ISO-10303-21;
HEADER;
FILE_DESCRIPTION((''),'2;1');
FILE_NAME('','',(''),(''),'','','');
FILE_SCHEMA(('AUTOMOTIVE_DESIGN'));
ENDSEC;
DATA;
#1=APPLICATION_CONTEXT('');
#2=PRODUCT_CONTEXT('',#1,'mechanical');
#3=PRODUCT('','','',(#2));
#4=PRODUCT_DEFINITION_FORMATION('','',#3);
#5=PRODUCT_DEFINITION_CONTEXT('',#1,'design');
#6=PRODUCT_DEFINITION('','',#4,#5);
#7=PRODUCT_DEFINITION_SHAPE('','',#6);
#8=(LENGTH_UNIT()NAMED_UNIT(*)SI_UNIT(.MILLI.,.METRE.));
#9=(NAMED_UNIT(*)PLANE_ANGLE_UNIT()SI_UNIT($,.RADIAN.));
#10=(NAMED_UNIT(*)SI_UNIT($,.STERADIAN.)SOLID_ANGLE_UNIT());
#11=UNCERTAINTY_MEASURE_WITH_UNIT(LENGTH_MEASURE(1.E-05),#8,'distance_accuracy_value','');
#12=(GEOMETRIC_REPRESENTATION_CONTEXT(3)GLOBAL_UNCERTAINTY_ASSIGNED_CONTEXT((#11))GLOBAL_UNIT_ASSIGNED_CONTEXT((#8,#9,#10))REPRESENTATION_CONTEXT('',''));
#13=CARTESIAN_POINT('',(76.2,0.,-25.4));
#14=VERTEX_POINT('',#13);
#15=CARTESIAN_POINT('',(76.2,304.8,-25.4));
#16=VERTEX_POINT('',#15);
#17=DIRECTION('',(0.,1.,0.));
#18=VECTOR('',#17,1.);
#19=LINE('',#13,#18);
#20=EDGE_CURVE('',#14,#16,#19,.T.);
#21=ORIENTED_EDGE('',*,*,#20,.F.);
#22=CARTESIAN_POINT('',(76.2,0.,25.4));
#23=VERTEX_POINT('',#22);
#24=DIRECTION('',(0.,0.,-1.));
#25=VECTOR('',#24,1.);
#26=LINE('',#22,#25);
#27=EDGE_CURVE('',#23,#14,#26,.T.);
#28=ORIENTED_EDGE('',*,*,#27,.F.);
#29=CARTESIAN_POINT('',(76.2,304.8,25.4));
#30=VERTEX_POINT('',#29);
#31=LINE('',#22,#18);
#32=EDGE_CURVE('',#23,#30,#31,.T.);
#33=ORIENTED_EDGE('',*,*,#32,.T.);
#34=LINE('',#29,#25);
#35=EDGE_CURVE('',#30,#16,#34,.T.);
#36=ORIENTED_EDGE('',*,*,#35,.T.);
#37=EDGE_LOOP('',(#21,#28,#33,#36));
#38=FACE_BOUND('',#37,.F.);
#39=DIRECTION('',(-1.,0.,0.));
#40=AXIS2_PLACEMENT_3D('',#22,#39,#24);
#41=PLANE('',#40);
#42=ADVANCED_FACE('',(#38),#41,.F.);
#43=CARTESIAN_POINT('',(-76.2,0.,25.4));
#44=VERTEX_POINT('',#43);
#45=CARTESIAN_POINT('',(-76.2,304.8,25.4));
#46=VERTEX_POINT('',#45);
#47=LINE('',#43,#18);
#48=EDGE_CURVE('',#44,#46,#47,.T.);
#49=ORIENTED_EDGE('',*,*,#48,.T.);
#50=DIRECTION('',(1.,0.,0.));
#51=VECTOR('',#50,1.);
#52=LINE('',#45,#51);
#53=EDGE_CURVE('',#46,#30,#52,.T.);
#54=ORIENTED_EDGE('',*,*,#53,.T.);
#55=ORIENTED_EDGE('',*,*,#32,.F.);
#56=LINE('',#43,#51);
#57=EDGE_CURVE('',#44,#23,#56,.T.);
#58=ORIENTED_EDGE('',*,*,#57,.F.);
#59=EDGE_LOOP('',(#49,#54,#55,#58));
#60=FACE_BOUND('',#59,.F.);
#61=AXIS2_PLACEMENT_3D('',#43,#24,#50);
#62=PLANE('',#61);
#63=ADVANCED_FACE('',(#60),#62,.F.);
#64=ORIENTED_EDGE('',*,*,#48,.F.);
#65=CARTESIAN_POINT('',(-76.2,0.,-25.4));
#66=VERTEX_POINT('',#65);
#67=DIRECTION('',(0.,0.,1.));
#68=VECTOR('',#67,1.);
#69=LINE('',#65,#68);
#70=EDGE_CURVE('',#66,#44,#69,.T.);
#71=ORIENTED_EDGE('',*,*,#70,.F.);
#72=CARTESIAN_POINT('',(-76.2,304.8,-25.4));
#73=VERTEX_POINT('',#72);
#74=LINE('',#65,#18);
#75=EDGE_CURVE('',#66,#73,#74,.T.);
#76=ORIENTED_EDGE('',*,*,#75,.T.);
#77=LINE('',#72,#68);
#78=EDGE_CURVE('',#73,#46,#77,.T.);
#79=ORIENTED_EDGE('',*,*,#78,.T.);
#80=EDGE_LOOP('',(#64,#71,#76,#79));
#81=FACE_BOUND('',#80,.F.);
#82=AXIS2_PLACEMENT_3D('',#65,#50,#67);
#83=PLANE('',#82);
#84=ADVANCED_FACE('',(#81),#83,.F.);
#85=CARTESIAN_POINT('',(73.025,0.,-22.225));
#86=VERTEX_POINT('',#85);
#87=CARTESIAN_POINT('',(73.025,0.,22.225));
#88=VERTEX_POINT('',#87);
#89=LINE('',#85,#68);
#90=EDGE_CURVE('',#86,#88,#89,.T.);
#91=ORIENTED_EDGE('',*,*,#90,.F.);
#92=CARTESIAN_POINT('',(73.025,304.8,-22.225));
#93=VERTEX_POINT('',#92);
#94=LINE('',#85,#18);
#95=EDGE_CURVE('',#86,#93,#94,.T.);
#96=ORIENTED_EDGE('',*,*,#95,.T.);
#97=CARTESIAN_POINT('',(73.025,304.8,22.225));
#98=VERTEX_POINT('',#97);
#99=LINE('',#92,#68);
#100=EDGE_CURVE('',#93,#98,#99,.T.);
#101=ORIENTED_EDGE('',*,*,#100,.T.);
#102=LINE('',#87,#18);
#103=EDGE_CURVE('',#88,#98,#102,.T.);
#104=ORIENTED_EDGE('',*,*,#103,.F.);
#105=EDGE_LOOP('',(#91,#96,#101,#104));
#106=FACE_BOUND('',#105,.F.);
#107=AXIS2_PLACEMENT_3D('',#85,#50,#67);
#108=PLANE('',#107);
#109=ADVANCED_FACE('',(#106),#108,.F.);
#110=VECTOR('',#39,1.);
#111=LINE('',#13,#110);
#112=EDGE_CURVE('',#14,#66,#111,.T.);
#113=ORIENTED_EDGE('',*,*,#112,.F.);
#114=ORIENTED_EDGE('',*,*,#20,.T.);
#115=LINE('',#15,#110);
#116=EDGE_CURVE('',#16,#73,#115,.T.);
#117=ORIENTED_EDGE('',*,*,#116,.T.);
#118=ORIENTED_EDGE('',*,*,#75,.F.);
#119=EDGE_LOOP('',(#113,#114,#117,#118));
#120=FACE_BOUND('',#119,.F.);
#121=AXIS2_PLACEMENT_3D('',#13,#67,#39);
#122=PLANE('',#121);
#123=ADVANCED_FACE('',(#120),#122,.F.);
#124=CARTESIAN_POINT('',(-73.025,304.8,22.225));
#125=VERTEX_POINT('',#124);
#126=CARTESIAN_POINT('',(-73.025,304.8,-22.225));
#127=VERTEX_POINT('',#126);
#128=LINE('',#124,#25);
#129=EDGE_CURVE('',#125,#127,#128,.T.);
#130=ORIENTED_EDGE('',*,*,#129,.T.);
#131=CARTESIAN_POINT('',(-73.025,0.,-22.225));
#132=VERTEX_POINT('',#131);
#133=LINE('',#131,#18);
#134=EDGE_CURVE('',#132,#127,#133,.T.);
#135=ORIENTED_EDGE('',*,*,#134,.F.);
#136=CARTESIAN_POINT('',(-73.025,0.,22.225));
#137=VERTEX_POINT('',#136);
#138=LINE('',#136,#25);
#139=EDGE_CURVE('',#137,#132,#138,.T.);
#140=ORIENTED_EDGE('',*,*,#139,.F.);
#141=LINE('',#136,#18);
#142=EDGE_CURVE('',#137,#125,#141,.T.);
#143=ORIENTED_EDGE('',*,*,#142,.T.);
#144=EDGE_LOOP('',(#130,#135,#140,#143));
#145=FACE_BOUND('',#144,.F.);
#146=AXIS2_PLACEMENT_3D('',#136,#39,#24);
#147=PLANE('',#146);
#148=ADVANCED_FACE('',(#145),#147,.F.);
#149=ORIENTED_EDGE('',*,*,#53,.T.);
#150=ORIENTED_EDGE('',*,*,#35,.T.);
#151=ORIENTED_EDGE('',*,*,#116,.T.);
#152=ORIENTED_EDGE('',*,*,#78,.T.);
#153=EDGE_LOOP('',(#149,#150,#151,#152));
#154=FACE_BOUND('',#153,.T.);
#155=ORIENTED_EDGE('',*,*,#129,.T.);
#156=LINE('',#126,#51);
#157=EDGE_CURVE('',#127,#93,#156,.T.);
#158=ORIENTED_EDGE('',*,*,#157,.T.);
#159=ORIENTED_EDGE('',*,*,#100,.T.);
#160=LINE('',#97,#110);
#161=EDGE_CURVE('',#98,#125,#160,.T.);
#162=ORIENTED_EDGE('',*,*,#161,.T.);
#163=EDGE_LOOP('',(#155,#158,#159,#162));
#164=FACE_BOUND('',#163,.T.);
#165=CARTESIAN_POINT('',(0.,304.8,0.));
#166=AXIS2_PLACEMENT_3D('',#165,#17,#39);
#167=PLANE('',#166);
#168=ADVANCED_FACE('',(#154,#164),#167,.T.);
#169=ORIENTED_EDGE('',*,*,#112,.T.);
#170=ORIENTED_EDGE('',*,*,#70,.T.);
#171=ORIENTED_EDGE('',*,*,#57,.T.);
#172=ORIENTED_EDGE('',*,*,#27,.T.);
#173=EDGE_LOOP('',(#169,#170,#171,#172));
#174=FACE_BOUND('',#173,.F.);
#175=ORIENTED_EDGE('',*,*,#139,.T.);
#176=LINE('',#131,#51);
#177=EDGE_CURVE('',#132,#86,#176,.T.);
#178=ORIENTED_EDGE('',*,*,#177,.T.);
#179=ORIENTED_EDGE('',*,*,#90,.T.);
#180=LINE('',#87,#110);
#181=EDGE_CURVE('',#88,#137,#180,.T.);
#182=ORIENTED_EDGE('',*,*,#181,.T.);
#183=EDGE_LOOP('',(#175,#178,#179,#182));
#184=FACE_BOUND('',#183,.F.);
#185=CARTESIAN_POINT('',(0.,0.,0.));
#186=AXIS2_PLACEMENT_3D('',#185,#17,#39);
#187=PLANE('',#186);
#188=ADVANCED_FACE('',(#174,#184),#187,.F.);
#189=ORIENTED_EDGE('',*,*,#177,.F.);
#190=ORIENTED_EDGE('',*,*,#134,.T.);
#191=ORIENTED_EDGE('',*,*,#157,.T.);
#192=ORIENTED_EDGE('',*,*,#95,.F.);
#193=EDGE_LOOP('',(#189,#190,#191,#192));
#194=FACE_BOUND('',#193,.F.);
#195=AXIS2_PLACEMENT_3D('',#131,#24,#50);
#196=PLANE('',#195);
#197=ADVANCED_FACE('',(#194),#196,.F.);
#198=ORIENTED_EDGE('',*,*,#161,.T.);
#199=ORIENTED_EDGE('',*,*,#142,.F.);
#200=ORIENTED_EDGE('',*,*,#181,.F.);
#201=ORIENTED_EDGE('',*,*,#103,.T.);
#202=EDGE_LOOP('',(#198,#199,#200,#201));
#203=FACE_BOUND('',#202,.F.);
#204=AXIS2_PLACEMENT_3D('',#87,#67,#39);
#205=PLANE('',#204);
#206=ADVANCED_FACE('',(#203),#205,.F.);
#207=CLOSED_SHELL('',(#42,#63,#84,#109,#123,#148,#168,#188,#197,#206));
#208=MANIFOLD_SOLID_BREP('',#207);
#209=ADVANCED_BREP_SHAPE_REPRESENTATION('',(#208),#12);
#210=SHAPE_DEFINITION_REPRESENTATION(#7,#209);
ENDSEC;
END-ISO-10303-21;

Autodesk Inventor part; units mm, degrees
ref_plane "YZ Plane" through (0, 0, 0) normal (1, 0, 0) x (0, 1, 0)
ref_plane "XZ Plane" through (0, 0, 0) normal (0, 1, 0) x (-1, 0, 0)
ref_plane "XY Plane" through (0, 0, 0) normal (0, 0, 1) x (1, 0, 0)
sketch "Sketch1" plane through (0, 0, 0) normal (0, 1, 0) x (-1, 0, 0)
  line L0 (76.2, 25.4) -> (-76.2, 25.4)
  line L1 (-76.2, 25.4) -> (-76.2, -25.4)
  line L2 (-76.2, -25.4) -> (76.2, -25.4)
  line L3 (76.2, -25.4) -> (76.2, 25.4)
  line L4 (-73.025, 22.225) -> (73.025, 22.225)
  line L5 (73.025, 22.225) -> (73.025, -22.225)
  line L6 (73.025, -22.225) -> (-73.025, -22.225)
  line L7 (-73.025, -22.225) -> (-73.025, 22.225)
  point P0 (0, 0)
  point P1 (76.2, 0)
  point P2 (0, 25.4)
  dimension "d0" = 50.8
  dimension "d1" = 152.4
  dimension "d7" = 3.175
extrude "Extrusion1" add sketch "Sketch1" along normal blind 304.8
equation "\"d0\" = tubeHeight"
equation "\"d1\" = tubeWidth"
equation "\"d7\" = tubeWallThickness"
equation "\"d4\" = tubeLength"
equation "\"nomTubeHeight\" = 50.8"
equation "\"nomTubeWidth\" = 152.4"
equation "\"tubeWallThickness\" = 3.175"
equation "\"nomTubeLength\" = 304.8"
equation "\"tubeWidth\" = 152.4"
equation "\"tubeHeight\" = 50.8"
equation "\"tubeLength\" = 304.8"
equation "\"plateOverhang\" = 6.35"
equation "\"moatWidth\" = 3.175"
equation "\"tubePlateClearance\" = 0.127"
equation "\"moatDepth\" = 3.175"
equation "\"blankCapThickness\" = 9.525"
equation "\"sensorCapThickness\" = 12.7"
equation "\"glassTubeDiameter\" = 12.7"
equation "\"glassTubeClearance\" = 0.19844"
equation "\"shortHoleSpacing\" = 21.59"
equation "\"longHoleSpacing\" = 30.48"
equation "\"fiberDiameter\" = 1"
equation "\"oRingID\" = 22.2504"
equation "\"oRingGrooveDepth\" = 1.2446"
equation "\"oRingGrooveWidth\" = 2.54"
equation "\"sensorHolderDiameter\" = 50.8"
equation "\"sensorHolderThickness\" = 12.7"
equation "\"fiberClearance\" = 0"
equation "\"glassTubeLength\" = 279.4"
equation "\"glassTubeID\" = 7.874"
equation "\"sensorBoardHoleSpacing\" = 19"
properties part number "tube" material "Aluminum 6061"
